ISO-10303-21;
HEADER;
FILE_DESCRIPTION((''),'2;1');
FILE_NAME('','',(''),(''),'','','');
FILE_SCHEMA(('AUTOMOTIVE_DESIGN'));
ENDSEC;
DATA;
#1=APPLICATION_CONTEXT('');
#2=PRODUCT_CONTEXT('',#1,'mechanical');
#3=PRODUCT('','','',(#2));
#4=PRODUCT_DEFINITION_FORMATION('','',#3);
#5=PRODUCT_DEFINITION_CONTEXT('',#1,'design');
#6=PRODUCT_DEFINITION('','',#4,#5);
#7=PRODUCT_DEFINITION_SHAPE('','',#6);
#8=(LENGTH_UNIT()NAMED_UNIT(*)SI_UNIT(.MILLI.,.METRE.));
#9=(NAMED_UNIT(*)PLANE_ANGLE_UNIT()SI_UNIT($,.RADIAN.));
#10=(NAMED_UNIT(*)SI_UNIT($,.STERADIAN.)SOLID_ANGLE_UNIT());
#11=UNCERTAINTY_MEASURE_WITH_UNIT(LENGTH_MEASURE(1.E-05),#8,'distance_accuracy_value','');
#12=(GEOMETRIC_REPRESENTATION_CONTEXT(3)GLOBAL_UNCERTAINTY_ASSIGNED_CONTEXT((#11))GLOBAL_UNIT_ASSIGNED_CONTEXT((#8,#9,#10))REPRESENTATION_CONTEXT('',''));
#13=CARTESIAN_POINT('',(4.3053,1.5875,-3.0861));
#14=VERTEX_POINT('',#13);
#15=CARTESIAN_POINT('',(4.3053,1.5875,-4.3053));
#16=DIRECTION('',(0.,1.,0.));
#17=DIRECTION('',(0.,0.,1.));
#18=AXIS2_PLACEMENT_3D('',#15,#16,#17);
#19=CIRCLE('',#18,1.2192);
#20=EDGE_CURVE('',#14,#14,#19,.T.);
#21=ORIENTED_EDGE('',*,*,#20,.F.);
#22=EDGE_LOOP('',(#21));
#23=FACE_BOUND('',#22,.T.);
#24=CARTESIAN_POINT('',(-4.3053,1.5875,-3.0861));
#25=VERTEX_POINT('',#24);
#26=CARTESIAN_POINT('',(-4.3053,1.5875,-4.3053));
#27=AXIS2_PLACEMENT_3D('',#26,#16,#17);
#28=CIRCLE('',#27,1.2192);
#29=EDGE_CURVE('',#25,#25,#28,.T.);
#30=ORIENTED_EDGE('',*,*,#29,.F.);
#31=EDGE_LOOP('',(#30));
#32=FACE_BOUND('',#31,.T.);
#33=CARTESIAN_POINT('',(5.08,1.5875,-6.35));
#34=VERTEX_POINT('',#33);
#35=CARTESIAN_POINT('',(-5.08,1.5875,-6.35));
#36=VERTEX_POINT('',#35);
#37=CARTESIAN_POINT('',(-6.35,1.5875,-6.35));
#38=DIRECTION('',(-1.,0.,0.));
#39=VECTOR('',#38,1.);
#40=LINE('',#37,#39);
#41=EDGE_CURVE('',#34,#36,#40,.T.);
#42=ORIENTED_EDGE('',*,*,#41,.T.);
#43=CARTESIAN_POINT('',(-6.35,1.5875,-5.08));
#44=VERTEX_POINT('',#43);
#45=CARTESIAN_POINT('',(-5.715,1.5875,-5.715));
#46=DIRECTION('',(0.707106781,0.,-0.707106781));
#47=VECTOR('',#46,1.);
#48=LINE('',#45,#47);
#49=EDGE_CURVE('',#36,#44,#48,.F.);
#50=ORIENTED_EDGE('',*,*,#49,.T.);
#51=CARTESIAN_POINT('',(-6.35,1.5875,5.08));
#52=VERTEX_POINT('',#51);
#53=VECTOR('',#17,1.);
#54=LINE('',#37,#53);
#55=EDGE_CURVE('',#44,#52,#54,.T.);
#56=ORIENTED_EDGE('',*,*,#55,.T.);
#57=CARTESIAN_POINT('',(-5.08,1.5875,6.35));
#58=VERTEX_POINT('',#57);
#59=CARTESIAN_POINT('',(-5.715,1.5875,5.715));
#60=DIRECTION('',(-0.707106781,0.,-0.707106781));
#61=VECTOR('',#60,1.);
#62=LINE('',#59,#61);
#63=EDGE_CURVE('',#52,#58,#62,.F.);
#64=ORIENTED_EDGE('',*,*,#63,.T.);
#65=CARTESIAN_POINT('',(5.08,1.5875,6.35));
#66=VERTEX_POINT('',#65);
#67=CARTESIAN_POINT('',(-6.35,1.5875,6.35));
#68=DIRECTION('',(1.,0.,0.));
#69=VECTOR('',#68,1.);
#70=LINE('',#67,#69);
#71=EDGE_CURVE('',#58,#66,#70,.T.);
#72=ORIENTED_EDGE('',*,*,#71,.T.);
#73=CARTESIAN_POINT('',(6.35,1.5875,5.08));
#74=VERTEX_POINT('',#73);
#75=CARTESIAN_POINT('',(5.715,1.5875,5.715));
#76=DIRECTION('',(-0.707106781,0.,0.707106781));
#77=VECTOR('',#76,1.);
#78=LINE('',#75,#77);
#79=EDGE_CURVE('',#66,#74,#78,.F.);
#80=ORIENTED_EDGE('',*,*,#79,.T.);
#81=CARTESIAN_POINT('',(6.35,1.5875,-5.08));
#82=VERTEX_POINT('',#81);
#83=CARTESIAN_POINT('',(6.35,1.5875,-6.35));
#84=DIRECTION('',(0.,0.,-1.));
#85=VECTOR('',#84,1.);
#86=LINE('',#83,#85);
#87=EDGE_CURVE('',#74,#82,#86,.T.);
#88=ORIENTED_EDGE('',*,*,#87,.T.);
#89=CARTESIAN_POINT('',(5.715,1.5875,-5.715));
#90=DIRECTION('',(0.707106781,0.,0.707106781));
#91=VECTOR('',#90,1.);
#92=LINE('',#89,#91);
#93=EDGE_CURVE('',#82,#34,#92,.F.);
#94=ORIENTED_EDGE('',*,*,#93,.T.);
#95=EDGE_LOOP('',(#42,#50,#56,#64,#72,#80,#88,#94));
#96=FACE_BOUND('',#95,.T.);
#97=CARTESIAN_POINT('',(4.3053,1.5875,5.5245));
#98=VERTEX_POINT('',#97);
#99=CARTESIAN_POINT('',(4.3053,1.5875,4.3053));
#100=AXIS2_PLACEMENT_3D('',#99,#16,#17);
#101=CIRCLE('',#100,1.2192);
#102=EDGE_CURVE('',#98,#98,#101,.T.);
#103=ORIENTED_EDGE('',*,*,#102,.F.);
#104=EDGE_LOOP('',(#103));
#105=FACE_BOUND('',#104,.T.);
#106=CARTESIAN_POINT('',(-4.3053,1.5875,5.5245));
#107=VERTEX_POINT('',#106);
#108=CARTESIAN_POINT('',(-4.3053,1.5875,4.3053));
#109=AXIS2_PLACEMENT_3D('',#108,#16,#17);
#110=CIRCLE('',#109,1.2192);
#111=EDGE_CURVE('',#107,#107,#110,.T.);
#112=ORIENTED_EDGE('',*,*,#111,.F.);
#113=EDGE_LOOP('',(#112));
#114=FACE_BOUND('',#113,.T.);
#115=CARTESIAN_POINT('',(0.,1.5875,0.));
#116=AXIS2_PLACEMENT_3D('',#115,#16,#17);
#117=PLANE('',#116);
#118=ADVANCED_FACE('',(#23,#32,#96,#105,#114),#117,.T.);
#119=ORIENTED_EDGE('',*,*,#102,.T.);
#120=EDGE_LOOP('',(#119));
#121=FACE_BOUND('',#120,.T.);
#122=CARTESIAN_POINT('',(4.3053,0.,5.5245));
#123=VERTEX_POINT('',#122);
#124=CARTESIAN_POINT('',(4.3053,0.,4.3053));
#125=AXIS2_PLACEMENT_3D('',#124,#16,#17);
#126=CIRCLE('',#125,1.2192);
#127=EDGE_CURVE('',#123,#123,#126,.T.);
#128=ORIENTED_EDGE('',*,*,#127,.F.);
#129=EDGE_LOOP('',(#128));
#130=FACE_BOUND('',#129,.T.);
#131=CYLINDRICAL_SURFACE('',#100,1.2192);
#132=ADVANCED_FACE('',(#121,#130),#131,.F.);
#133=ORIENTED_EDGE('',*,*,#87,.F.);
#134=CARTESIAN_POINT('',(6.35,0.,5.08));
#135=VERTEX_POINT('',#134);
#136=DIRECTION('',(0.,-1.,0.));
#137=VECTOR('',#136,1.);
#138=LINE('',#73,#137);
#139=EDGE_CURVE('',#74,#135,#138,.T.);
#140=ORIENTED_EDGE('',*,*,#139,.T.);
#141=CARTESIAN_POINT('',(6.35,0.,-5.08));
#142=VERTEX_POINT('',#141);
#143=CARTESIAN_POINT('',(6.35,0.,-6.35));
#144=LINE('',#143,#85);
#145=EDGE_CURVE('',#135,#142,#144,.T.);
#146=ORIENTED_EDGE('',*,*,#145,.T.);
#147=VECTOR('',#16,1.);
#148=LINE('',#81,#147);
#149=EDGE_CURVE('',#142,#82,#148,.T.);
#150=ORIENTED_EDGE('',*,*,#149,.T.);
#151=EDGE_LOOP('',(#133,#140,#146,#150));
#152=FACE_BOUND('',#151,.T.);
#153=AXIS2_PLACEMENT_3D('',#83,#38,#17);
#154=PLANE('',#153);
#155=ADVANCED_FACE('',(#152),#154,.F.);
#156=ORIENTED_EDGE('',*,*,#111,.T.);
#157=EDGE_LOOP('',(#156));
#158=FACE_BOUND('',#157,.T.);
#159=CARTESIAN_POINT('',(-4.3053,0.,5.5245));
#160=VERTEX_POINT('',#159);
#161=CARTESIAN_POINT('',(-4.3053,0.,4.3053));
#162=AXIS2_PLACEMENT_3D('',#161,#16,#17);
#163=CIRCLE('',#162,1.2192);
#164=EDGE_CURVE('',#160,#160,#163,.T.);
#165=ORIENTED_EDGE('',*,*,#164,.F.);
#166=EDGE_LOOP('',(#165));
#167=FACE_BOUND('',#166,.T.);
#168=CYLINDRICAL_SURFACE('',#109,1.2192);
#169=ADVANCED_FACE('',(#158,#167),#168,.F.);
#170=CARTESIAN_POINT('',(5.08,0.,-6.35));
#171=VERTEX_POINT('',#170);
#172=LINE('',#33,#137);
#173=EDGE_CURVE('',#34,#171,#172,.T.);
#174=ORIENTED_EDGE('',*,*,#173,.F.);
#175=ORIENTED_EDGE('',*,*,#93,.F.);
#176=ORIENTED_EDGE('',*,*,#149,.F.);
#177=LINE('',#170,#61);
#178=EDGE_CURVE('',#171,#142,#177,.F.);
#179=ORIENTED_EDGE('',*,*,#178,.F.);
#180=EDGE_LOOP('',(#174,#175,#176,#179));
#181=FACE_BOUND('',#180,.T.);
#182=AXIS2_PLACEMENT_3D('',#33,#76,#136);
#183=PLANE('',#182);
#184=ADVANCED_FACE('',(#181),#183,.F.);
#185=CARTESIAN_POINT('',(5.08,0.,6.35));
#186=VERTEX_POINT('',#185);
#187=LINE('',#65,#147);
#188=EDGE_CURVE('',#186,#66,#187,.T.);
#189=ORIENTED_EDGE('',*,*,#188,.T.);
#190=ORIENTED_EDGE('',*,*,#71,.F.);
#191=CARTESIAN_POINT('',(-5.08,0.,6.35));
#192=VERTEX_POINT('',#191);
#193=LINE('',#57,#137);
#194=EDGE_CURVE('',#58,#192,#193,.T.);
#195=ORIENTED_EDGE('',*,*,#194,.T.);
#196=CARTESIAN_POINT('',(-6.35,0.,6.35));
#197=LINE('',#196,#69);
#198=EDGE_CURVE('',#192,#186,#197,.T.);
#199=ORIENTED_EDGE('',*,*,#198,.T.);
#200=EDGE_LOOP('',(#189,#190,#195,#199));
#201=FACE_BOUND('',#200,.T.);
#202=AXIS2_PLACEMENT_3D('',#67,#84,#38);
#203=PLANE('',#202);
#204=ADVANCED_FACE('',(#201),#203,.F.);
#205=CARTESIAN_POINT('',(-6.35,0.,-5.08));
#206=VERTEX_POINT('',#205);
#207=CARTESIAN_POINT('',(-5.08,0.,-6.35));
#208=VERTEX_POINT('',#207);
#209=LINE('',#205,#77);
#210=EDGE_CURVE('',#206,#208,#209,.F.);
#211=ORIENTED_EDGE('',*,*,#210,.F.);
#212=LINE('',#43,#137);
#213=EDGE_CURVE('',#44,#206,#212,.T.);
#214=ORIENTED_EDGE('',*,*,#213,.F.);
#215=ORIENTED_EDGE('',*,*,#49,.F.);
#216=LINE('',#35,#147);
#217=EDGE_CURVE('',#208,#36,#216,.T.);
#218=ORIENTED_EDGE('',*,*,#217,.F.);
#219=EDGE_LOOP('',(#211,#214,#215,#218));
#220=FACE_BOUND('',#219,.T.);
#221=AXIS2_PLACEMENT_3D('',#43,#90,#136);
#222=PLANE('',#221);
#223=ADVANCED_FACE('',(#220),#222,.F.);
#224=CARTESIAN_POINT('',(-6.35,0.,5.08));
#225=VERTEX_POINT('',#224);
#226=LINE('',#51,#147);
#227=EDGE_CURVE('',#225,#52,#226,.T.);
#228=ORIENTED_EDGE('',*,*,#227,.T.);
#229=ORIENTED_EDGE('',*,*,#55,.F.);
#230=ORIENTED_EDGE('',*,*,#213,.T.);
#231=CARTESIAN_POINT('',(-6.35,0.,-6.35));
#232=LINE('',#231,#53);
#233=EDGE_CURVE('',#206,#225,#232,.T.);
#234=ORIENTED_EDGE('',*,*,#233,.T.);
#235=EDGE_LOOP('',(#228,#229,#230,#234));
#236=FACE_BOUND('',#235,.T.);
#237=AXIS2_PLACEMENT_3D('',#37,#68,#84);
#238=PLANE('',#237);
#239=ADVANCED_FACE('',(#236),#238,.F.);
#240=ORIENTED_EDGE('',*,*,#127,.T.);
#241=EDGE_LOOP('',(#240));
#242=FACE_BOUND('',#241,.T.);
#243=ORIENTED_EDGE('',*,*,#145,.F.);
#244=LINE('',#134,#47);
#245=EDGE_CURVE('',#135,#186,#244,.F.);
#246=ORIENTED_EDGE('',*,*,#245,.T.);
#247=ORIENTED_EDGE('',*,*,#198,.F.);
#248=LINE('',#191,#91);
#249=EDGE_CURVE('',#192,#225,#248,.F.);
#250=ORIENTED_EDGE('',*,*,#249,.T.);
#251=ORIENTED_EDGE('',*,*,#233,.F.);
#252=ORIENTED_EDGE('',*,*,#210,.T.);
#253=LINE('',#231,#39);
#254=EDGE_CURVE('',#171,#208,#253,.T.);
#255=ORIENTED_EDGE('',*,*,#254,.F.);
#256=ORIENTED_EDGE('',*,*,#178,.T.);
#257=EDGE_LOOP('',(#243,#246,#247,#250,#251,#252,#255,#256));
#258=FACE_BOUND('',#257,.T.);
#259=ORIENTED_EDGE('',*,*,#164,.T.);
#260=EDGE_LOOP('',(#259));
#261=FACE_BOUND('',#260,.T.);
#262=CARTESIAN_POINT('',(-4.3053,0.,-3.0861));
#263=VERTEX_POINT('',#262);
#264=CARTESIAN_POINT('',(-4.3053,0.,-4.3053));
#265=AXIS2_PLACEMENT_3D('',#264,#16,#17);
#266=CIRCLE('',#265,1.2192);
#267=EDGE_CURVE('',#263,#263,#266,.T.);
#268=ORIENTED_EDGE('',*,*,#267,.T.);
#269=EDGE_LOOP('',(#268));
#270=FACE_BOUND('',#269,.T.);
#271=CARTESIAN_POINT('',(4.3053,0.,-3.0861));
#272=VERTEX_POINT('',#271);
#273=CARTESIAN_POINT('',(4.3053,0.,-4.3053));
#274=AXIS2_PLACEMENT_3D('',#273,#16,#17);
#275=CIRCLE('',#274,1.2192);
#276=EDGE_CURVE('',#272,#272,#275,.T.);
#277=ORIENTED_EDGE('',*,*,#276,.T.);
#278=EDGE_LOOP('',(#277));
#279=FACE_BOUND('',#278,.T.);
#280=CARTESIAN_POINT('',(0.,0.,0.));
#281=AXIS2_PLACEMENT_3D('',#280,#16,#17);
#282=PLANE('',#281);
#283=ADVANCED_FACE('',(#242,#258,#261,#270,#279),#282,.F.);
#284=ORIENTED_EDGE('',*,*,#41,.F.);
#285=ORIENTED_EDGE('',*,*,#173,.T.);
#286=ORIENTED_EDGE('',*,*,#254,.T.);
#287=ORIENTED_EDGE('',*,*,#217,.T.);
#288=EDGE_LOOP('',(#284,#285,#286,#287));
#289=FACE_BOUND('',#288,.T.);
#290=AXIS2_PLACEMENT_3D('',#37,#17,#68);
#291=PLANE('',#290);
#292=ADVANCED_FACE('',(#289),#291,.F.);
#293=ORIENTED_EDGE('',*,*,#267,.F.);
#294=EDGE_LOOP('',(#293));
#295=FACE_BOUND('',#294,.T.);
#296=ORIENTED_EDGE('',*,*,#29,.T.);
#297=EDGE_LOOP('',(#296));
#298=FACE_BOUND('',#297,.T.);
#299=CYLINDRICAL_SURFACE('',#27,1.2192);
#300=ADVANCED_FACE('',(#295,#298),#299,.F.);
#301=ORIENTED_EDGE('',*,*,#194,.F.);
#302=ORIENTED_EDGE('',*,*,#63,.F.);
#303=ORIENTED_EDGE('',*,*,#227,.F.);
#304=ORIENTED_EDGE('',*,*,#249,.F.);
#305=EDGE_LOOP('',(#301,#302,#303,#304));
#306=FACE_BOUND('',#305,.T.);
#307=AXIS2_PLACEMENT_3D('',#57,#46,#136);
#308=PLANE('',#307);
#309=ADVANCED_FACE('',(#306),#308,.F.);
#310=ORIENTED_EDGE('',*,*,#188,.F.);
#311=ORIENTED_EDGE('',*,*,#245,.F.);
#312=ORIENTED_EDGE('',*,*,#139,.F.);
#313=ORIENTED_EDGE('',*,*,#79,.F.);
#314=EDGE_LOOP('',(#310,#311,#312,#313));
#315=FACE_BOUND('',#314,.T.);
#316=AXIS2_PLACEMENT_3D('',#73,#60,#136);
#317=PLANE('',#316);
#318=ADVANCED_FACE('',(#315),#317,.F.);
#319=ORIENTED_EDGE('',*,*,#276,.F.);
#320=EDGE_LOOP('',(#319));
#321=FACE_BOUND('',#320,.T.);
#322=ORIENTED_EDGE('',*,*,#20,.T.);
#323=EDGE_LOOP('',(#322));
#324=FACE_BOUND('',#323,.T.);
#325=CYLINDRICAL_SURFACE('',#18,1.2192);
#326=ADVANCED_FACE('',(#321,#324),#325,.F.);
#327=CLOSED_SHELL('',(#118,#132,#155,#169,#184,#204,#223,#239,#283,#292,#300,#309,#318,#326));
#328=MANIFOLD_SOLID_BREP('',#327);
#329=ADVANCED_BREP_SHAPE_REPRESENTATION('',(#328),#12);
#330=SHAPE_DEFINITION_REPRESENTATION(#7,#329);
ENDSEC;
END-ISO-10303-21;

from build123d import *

# Parameters (mm, degrees)
SKETCH1_W             = 12.7
SKETCH1_H             = 12.7
BOSS_EXTRUDE1_DEPTH   = 1.5875
F_2_CLEARANCE_HOLE1_D = 2.4384
CHAMFER1_SIZE         = 1.27


with BuildPart() as part:
    # Sketch1 → Boss-Extrude1 (new body)
    with BuildSketch(Plane(origin=(0, 0, 0), x_dir=(1, 0, 0), z_dir=(0, 1, 0))):
        Rectangle(SKETCH1_W, SKETCH1_H)
    extrude(amount=BOSS_EXTRUDE1_DEPTH)

    # #2 Clearance Hole1 (through all)
    with Locations(Plane(origin=(0, 1.5875, 0), x_dir=(1, 0, 0), z_dir=(0, 1, 0))):
        with Locations((-4.3053, 4.3053), (4.3053, 4.3053), (4.3053, -4.3053), (-4.3053, -4.3053)):
            Hole(F_2_CLEARANCE_HOLE1_D / 2)

    # Chamfer1
    chamfer1_edges = [part.edges().sort_by_distance(p)[0] for p in [
        (6.35, 0.79375, 6.35),
        (-6.35, 0.79375, 6.35),
        (-6.35, 0.79375, -6.35),
        (6.35, 0.79375, -6.35),
    ]]
    chamfer(chamfer1_edges, length=CHAMFER1_SIZE)


solid = part.part
